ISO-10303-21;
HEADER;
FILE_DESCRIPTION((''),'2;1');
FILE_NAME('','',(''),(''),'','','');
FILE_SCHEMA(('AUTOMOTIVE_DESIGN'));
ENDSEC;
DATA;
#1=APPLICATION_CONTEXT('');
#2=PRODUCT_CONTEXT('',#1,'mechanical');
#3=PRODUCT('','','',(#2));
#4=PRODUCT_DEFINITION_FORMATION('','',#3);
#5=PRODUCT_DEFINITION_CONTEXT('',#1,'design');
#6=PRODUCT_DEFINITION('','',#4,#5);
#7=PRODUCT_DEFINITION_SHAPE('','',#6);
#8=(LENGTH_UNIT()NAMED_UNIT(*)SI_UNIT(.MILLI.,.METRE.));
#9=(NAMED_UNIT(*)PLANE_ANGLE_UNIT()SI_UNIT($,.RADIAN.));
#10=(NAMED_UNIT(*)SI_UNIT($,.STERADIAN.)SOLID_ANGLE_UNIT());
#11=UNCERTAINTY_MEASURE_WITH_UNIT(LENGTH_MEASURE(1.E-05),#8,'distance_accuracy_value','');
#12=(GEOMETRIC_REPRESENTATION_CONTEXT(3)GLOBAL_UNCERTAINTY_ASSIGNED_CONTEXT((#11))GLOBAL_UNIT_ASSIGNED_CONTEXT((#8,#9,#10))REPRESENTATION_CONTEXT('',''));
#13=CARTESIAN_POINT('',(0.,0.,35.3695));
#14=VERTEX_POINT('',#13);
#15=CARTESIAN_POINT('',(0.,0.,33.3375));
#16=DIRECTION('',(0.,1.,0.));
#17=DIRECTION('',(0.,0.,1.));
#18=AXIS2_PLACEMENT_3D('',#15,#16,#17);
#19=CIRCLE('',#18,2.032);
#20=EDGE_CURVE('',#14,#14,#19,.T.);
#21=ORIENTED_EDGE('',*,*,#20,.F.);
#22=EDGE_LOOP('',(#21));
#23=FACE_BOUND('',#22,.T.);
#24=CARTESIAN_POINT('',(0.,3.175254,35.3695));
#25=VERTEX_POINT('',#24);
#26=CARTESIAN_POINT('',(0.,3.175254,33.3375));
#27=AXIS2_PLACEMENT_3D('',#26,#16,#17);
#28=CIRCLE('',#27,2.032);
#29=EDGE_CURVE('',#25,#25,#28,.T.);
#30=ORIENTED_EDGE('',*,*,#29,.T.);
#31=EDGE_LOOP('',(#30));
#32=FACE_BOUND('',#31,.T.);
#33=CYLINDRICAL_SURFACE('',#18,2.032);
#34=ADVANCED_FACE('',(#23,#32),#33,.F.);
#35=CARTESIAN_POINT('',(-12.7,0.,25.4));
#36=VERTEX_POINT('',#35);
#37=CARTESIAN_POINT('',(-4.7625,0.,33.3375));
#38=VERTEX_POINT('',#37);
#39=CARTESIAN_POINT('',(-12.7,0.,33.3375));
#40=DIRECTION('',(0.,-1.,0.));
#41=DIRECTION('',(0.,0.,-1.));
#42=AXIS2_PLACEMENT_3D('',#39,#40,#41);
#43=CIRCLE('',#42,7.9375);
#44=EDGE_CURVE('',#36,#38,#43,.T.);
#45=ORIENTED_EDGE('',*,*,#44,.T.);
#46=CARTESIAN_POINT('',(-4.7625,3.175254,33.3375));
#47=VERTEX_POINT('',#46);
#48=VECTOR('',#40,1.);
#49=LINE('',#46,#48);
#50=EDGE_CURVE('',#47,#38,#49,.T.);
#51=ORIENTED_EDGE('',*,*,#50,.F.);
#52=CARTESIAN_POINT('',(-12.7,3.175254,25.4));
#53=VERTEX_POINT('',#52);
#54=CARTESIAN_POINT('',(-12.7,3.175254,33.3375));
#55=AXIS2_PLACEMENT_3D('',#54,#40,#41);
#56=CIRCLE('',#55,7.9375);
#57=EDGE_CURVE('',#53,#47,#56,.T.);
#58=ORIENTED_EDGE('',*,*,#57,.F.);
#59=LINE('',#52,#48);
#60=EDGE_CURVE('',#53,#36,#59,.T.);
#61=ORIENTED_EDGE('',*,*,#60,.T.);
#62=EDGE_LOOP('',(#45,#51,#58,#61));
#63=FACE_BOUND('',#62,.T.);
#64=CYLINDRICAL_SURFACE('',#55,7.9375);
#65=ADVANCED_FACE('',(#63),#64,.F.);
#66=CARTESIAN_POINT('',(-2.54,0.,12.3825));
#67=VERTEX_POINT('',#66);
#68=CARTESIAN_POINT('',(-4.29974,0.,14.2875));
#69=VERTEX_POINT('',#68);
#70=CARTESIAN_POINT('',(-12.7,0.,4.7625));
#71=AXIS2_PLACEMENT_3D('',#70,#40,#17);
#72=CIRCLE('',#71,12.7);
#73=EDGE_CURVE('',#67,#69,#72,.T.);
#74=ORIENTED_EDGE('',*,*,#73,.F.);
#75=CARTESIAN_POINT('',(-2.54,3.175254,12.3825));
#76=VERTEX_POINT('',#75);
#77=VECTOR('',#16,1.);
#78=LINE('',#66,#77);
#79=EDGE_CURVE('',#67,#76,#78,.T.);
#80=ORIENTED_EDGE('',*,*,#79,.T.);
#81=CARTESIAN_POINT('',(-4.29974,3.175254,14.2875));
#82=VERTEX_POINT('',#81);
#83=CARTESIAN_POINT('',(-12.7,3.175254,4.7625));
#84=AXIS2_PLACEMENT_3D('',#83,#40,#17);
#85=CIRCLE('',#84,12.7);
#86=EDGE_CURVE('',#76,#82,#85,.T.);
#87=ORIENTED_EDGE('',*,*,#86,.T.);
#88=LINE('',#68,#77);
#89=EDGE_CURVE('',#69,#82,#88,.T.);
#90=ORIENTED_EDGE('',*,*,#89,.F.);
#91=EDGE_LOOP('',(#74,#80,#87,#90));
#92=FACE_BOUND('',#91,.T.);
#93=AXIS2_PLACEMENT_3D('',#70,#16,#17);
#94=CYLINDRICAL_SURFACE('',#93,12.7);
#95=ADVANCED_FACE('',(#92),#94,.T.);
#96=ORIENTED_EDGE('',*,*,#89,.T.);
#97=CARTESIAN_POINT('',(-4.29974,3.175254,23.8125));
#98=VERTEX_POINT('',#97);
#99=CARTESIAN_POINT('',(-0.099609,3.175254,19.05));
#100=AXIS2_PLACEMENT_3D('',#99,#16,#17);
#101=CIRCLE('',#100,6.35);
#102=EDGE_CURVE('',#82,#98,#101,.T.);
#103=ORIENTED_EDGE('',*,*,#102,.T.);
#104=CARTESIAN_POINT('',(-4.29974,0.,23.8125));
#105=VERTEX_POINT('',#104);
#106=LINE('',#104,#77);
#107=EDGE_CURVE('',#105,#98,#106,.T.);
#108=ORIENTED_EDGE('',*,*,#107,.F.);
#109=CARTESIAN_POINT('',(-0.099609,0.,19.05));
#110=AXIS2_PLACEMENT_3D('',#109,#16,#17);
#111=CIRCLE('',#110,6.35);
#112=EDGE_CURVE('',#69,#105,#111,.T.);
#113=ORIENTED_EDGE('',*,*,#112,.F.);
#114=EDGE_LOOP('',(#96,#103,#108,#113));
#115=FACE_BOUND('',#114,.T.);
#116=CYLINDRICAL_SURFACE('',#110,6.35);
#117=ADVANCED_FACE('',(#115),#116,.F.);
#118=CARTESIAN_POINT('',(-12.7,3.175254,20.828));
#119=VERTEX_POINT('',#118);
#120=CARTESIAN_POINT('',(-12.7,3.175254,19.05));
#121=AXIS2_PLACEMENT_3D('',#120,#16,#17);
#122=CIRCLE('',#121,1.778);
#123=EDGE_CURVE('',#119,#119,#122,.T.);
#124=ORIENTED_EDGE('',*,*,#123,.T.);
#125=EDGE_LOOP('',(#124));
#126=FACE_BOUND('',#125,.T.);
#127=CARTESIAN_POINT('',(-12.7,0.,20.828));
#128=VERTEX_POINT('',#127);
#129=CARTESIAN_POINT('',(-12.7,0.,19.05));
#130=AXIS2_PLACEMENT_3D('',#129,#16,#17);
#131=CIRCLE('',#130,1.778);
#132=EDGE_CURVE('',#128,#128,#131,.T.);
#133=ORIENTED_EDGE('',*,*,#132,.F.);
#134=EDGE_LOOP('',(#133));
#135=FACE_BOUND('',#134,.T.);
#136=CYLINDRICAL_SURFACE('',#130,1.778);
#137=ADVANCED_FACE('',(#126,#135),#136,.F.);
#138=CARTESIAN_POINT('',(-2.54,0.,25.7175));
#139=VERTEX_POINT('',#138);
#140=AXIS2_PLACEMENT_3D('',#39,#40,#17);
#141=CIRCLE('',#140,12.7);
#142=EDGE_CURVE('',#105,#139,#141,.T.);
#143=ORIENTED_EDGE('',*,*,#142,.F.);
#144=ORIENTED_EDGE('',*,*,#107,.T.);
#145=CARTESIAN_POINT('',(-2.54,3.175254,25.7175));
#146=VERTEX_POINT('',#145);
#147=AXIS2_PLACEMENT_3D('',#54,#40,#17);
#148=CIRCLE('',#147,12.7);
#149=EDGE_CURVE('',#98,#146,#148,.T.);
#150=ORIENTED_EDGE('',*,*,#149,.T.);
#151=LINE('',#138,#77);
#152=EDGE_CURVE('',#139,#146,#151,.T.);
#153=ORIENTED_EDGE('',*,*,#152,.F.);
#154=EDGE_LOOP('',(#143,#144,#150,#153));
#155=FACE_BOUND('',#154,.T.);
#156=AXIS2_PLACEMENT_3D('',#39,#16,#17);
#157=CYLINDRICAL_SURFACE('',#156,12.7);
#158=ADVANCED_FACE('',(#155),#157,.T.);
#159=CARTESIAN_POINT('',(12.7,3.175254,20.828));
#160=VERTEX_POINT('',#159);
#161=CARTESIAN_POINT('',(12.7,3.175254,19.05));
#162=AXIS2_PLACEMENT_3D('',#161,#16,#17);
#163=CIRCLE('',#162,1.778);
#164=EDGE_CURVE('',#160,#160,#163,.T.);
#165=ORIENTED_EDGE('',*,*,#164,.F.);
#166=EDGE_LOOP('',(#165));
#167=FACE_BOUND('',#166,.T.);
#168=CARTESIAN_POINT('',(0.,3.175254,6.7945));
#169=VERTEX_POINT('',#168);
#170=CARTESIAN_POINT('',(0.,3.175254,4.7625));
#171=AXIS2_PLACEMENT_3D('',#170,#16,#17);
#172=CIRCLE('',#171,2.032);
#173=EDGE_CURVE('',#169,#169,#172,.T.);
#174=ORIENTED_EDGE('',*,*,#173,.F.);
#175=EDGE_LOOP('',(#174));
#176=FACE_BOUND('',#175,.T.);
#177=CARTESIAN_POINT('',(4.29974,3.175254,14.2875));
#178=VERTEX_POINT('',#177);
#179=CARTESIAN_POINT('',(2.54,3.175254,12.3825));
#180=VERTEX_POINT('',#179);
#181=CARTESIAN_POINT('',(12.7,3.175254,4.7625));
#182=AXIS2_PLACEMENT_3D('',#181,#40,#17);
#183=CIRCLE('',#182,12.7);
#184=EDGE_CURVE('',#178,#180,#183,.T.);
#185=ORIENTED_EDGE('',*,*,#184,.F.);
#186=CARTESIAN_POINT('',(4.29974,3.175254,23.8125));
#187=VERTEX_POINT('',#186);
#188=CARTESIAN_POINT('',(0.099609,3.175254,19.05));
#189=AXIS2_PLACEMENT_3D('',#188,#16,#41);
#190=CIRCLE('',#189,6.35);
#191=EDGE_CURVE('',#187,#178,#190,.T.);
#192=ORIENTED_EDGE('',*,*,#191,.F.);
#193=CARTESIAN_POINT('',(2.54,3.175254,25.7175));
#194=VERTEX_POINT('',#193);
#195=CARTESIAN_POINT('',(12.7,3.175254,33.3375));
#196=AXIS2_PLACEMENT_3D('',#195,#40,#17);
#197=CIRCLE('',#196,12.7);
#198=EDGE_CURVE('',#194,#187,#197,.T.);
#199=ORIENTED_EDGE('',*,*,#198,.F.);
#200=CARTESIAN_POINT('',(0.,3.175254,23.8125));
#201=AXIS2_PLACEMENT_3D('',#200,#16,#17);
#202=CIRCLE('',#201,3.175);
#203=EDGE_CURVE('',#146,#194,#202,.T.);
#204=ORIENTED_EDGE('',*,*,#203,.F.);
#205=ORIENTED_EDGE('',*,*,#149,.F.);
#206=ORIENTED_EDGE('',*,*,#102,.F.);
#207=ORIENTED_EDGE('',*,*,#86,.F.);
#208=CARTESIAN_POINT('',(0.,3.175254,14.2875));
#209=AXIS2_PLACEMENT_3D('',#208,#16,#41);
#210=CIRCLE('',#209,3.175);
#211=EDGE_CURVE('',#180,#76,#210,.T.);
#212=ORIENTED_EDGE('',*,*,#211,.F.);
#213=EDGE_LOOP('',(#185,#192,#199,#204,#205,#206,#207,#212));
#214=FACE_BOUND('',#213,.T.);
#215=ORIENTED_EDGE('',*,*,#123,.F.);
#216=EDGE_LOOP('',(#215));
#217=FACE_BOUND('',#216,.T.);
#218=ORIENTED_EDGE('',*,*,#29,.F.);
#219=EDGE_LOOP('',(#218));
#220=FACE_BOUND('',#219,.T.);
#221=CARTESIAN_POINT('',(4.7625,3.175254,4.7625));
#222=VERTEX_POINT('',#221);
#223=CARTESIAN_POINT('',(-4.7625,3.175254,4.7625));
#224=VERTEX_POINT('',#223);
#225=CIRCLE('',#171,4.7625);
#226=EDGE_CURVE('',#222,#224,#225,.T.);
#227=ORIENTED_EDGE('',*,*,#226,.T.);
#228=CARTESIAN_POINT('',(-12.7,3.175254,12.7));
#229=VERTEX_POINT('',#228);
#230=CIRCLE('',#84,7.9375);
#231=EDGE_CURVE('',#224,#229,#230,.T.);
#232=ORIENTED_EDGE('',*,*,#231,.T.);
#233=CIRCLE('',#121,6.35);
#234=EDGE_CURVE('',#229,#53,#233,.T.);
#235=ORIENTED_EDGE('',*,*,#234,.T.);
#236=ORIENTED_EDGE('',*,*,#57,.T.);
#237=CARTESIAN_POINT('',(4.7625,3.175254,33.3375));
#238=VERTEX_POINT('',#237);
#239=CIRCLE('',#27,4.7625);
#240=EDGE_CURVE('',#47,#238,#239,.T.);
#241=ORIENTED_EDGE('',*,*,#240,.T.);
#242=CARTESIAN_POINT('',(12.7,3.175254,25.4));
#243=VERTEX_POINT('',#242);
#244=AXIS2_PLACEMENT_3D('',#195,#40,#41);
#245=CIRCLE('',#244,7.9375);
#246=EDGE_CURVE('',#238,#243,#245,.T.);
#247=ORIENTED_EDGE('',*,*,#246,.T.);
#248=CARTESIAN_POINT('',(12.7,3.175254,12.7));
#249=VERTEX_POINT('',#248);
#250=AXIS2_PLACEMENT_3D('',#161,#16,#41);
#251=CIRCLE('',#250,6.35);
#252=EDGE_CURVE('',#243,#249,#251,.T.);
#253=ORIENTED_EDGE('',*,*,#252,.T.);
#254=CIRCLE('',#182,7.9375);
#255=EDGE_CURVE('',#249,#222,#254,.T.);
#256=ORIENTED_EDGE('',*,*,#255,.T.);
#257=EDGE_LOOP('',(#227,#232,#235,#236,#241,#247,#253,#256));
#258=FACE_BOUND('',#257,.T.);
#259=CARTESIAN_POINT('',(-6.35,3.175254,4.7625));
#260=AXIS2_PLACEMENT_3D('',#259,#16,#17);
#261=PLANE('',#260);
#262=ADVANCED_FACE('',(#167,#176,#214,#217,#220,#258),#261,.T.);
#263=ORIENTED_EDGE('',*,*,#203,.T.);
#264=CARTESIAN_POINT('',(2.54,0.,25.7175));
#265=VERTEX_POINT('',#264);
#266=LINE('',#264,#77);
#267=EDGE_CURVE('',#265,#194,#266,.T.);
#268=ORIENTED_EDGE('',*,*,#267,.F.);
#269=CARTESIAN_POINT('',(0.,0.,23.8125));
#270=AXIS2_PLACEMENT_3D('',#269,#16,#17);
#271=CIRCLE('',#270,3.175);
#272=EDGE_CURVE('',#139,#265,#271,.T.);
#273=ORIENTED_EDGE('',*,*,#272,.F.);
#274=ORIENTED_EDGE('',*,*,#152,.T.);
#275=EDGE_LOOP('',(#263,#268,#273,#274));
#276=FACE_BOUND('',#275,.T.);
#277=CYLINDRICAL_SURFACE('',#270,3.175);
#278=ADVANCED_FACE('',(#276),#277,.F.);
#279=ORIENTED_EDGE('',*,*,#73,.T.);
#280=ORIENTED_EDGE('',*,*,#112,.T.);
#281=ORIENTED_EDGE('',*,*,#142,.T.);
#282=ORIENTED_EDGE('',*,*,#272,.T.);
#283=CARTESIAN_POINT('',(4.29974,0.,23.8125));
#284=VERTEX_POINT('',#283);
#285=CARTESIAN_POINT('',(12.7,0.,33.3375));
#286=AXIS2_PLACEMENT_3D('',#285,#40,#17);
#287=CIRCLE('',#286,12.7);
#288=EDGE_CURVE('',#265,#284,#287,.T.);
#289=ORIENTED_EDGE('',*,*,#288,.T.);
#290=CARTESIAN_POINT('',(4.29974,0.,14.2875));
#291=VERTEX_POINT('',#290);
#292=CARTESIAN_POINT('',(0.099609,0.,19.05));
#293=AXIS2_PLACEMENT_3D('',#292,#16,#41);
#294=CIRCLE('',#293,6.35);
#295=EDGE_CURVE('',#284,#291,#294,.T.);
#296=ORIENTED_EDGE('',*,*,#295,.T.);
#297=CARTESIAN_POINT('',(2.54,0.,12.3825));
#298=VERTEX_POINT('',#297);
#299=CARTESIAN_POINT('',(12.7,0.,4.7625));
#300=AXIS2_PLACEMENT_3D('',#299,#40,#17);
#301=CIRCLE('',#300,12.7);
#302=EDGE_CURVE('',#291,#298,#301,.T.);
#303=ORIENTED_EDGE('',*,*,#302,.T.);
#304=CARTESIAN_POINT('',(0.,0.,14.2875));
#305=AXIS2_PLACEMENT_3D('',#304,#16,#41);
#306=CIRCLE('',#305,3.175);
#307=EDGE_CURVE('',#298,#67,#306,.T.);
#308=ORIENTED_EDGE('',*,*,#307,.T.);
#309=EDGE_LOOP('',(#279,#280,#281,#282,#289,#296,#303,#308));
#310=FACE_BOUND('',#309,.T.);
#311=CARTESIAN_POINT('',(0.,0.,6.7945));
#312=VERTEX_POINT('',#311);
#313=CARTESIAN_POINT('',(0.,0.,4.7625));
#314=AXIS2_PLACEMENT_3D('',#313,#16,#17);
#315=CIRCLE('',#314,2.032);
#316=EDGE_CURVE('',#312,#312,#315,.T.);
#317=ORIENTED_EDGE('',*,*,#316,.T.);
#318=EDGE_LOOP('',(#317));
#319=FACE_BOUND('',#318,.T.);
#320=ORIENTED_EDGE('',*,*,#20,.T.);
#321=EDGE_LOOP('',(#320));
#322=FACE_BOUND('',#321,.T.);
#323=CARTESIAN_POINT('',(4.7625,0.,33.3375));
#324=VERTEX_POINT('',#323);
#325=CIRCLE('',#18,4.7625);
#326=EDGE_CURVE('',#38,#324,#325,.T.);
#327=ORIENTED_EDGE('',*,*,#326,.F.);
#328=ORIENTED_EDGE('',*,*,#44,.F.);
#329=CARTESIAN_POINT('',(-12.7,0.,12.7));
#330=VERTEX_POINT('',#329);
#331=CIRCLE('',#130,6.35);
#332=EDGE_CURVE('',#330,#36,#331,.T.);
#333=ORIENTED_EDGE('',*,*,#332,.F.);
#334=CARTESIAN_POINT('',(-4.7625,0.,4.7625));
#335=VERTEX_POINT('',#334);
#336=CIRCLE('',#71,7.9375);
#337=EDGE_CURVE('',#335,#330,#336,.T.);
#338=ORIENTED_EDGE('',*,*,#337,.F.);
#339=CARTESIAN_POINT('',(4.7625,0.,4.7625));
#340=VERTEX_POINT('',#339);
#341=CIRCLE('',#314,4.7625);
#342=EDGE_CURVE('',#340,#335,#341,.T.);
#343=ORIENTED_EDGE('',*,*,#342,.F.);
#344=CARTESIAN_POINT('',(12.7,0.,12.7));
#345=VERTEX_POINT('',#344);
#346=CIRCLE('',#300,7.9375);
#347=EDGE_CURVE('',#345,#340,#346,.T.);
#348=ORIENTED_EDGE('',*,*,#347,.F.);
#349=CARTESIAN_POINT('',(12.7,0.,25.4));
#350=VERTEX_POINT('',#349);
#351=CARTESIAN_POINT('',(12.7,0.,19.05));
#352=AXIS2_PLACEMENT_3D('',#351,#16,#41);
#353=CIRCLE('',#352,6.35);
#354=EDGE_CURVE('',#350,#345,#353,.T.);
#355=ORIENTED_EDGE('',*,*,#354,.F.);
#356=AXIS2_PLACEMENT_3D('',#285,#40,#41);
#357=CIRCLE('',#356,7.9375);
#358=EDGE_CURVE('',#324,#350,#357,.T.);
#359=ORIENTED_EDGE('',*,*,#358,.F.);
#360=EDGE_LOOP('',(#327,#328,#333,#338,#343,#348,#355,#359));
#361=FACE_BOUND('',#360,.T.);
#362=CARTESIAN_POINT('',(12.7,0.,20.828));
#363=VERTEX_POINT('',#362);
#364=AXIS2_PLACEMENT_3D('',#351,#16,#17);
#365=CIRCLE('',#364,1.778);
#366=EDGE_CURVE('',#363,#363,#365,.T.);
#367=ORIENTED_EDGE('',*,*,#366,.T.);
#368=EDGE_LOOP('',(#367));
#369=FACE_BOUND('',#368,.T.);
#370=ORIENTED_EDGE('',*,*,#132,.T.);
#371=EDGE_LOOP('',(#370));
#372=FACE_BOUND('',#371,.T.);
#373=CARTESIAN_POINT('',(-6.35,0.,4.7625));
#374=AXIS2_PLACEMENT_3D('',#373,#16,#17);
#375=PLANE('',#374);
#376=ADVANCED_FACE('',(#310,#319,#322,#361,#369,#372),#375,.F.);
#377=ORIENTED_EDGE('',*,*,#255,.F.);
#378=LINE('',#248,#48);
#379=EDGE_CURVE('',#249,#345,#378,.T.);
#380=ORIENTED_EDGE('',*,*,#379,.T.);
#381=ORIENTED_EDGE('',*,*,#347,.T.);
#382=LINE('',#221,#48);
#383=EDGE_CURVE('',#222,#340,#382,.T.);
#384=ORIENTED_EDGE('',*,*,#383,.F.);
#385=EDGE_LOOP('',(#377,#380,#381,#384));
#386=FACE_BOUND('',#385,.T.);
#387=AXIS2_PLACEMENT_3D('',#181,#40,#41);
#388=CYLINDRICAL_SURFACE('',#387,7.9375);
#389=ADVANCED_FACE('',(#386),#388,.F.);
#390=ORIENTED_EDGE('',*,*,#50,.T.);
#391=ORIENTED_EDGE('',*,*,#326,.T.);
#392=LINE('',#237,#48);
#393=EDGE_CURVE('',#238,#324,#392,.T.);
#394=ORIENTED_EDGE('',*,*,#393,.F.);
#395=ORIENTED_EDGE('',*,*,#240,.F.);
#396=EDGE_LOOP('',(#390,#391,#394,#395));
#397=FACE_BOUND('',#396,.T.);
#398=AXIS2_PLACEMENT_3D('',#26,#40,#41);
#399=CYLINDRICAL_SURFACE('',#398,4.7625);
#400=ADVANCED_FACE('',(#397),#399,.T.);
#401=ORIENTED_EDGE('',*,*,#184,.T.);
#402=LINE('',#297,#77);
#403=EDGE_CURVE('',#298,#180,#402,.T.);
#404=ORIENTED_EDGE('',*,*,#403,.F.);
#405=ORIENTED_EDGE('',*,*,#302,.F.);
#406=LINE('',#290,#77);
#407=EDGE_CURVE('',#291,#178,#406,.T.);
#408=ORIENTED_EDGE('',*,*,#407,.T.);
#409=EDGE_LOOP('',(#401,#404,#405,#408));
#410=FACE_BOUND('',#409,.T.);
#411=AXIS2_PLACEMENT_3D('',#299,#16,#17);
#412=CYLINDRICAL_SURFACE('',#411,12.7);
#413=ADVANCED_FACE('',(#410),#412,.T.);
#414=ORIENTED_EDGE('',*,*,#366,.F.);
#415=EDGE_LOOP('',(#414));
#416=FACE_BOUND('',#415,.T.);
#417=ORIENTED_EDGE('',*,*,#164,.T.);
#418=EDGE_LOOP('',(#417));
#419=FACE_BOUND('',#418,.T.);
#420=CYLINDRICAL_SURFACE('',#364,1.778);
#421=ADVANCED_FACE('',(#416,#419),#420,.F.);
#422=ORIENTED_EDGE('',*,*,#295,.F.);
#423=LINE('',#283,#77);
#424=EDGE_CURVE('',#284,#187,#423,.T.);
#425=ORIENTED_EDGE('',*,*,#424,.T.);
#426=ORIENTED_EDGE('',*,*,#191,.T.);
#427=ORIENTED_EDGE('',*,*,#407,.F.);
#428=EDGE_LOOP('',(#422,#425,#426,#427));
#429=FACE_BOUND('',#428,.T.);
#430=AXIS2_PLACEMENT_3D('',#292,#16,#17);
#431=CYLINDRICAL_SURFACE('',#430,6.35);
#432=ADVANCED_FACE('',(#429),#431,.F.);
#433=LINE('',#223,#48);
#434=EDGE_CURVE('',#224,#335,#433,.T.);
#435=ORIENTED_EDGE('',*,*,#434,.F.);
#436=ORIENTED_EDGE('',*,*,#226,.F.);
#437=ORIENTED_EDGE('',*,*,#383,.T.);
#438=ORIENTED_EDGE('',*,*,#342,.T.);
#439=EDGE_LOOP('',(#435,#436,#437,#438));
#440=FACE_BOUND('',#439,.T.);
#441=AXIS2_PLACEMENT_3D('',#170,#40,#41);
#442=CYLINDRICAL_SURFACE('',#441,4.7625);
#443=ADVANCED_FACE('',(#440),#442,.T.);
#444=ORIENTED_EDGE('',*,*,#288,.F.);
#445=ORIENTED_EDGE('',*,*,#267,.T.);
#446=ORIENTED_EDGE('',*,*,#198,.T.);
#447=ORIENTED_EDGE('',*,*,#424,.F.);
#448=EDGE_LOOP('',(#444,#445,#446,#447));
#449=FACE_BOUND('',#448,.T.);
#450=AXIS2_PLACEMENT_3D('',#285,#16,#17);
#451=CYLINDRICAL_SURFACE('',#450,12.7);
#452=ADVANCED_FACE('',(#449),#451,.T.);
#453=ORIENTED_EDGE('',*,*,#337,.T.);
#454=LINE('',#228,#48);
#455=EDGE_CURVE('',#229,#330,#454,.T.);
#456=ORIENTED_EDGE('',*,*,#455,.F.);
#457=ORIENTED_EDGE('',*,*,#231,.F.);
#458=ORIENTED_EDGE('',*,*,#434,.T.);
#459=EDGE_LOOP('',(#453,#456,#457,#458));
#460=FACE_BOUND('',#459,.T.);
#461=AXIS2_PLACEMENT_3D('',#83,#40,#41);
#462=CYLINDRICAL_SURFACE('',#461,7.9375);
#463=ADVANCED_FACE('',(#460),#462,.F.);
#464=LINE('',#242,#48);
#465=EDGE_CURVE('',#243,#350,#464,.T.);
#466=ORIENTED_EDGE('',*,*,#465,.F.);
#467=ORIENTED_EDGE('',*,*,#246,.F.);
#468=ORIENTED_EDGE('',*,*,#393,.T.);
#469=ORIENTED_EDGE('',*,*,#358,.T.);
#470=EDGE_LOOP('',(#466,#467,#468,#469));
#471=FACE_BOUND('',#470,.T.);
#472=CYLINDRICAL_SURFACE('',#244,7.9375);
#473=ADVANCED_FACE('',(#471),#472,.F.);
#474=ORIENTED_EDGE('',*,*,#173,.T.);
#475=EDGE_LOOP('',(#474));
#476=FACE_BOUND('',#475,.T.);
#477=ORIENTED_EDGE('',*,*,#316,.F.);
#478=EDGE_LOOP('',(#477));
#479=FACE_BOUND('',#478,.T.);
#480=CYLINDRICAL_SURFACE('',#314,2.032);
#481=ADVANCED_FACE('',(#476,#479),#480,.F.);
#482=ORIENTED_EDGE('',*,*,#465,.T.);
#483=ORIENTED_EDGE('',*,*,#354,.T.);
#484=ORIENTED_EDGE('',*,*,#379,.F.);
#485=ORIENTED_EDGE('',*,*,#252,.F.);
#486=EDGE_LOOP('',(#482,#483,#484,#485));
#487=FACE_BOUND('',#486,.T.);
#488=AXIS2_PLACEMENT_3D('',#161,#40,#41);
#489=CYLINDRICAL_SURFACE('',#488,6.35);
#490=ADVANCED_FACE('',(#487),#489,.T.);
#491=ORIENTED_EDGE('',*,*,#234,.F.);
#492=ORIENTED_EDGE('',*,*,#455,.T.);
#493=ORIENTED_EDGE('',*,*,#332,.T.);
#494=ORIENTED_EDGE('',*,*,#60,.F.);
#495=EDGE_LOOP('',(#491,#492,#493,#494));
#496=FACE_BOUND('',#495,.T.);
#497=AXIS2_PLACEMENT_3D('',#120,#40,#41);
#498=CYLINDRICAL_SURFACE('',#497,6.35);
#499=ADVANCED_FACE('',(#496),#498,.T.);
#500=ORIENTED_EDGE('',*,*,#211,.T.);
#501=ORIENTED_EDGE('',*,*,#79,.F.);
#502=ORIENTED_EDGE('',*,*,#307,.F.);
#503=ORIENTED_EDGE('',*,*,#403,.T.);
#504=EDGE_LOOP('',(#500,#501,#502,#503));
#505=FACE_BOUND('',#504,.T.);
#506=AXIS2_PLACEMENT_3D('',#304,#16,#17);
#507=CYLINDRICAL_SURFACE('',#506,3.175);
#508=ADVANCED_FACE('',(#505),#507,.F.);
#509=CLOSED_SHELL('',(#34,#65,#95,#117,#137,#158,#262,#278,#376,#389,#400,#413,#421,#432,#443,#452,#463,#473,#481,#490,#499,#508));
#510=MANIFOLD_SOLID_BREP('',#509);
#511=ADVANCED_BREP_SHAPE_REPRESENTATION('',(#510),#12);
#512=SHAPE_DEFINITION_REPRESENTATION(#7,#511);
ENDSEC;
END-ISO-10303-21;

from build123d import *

# Parameters (mm, degrees)
BOSS_EXTRUDE1_DEPTH = 3.175254
SKETCH2_R           = 2.032
SKETCH2_R_2         = 1.778
CUT_EXTRUDE1_DEPTH  = 43.71527523
CUT_EXTRUDE2_DEPTH  = 43.71527523


with BuildPart() as part:
    # Sketch1 → Boss-Extrude1 (new body)
    with BuildSketch(Plane(origin=(0, 0, 0), x_dir=(1, 0, 0), z_dir=(0, 1, 0))):
        with BuildLine():
            ThreePointArc((4.7625, -4.7625), (0, 0), (-4.7625, -4.7625))
            ThreePointArc((-4.7625, -4.7625), (-7.087339924, -10.375160076), (-12.7, -12.7))
            ThreePointArc((-12.7, -12.7), (-19.05, -19.05), (-12.7, -25.4))
            ThreePointArc((-12.7, -25.4), (-7.087339924, -27.724839924), (-4.7625, -33.3375))
            ThreePointArc((-4.7625, -33.3375), (0, -38.1), (4.7625, -33.3375))
            ThreePointArc((4.7625, -33.3375), (7.087339924, -27.724839924), (12.7, -25.4))
            ThreePointArc((12.7, -25.4), (19.05, -19.05), (12.7, -12.7))
            ThreePointArc((12.7, -12.7), (7.087339924, -10.375160076), (4.7625, -4.7625))
        make_face()
    extrude(amount=BOSS_EXTRUDE1_DEPTH)

    # Sketch2 → Cut-Extrude1 (cut, through all)
    with BuildSketch(Plane(origin=(0, 3.175254, 0), x_dir=(1, 0, 0), z_dir=(0, 1, 0))):
        with Locations(Location((0, -4.7625, 0), (0, 0, 270))):
            Circle(SKETCH2_R)
        with Locations(Location((12.7, -19.05, 0), (0, 0, 270))):
            Circle(SKETCH2_R_2)
        with Locations(Location((0, -33.3375, 0), (0, 0, 270))):
            Circle(SKETCH2_R)
        with Locations(Location((-12.7, -19.05, 0), (0, 0, 270))):
            Circle(SKETCH2_R_2)
    extrude(amount=-CUT_EXTRUDE1_DEPTH, mode=Mode.SUBTRACT)

    # Sketch3 → Cut-Extrude2 (cut, through all)
    with BuildSketch(Plane(origin=(0, 3.175254, 0), x_dir=(1, 0, 0), z_dir=(0, 1, 0))):
        with BuildLine():
            ThreePointArc((-4.299739587, -14.2875), (-6.449609381, -19.05), (-4.299739587, -23.8125))
            ThreePointArc((-4.299739587, -23.8125), (-3.371116203, -24.719963977), (-2.54, -25.7175))
            ThreePointArc((-2.54, -25.7175), (0, -26.9875), (2.54, -25.7175))
            ThreePointArc((2.54, -25.7175), (3.371116203, -24.719963977), (4.299739587, -23.8125))
            ThreePointArc((4.299739587, -23.8125), (6.449609381, -19.05), (4.299739587, -14.2875))
            ThreePointArc((4.299739587, -14.2875), (3.371116203, -13.380036023), (2.54, -12.3825))
            ThreePointArc((2.54, -12.3825), (0, -11.1125), (-2.54, -12.3825))
            ThreePointArc((-2.54, -12.3825), (-3.371116203, -13.380036023), (-4.299739587, -14.2875))
        make_face()
    extrude(amount=-CUT_EXTRUDE2_DEPTH, mode=Mode.SUBTRACT)


solid = part.part
